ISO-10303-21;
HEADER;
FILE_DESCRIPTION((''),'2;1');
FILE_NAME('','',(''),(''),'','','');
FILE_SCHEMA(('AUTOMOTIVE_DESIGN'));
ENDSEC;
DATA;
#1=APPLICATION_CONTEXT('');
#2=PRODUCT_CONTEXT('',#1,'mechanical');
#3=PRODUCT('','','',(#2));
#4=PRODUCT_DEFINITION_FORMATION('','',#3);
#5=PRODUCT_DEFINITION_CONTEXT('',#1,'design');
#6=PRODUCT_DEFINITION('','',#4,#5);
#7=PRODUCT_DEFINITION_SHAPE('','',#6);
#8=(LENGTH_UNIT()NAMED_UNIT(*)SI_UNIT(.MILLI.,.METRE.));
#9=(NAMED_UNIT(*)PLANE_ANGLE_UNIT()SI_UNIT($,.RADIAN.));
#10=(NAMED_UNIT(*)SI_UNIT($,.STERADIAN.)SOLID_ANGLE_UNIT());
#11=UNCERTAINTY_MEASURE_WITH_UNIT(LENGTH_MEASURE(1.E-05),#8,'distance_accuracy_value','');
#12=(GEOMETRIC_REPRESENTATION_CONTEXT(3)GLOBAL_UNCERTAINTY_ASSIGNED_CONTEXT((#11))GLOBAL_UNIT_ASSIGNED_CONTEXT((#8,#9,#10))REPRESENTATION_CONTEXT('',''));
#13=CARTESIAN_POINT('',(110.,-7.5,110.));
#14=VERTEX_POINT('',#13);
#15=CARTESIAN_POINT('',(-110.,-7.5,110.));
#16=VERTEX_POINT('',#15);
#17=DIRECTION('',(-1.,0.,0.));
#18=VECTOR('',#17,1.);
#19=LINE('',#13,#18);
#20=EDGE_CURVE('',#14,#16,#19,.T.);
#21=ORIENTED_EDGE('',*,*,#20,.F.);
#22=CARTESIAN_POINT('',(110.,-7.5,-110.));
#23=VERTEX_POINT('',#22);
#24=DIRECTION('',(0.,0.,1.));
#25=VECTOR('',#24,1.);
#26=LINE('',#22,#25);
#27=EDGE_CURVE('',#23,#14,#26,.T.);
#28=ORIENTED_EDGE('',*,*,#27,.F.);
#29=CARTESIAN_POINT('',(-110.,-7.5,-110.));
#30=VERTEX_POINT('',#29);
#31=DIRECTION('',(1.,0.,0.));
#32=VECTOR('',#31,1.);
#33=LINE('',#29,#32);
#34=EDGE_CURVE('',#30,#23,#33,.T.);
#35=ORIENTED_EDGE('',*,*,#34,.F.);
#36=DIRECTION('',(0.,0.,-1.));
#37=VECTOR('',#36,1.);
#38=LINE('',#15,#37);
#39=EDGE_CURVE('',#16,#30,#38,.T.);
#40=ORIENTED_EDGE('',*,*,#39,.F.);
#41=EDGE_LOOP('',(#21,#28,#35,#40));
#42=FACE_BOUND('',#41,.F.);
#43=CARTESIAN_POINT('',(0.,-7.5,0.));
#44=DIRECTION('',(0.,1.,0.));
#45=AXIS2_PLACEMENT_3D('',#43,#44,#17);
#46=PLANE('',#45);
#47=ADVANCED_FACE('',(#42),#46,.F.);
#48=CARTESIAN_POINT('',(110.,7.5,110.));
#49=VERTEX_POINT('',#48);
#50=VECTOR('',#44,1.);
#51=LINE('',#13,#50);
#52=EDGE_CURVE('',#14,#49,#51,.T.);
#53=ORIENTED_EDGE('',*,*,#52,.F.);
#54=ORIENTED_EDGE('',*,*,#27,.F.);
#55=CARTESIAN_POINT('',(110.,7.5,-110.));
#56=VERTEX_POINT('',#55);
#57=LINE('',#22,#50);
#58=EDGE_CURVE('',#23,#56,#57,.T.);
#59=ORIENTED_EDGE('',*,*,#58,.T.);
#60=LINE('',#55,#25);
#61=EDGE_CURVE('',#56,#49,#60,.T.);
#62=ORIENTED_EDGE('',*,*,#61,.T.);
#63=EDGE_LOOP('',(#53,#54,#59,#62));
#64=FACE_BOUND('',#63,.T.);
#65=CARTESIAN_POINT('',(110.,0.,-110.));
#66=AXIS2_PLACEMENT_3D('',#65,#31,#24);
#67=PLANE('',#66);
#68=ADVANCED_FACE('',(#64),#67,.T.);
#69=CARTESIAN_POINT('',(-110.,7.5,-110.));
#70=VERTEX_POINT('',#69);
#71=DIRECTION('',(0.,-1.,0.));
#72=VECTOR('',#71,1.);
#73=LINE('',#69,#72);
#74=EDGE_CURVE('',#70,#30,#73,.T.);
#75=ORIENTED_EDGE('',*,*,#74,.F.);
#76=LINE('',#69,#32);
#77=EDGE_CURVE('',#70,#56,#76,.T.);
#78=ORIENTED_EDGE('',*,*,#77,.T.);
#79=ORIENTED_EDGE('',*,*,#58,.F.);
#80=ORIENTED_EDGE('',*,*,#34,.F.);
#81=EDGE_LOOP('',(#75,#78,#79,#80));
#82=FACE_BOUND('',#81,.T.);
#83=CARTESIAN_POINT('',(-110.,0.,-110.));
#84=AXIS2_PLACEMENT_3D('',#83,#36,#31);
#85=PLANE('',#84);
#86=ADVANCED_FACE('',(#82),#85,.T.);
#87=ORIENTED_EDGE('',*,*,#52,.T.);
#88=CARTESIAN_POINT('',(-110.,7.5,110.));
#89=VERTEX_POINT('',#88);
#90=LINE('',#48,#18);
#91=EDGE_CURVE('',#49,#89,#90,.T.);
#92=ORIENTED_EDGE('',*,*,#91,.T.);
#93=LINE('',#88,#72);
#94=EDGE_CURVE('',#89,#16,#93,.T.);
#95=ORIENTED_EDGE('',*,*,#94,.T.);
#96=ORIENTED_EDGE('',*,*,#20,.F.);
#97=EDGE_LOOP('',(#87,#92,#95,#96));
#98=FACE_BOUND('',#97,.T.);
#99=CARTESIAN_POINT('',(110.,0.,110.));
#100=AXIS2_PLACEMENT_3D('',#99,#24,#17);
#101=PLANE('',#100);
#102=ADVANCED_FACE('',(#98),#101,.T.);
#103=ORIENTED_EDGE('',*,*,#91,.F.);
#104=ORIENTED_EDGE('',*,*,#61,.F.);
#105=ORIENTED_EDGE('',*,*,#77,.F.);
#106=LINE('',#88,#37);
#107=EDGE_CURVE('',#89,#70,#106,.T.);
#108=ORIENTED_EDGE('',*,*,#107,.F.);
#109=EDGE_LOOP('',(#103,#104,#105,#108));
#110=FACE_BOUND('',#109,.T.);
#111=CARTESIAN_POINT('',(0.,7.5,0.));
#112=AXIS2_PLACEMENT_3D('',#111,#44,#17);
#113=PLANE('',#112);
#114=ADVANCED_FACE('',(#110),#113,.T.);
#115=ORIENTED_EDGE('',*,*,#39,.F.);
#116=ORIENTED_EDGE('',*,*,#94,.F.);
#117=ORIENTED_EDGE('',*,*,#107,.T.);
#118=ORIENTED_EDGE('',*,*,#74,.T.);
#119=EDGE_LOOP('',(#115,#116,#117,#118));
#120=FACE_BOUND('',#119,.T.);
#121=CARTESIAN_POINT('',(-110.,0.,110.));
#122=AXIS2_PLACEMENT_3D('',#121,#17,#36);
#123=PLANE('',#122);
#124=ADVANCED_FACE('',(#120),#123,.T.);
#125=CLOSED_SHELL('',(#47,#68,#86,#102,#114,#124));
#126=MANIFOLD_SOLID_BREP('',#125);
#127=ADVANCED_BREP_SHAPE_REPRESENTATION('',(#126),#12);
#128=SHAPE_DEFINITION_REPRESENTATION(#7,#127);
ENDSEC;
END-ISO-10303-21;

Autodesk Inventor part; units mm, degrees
ref_plane "YZ Plane" through (0, 0, 0) normal (1, 0, 0) x (0, 1, 0)
ref_plane "XZ Plane" through (0, 0, 0) normal (0, 1, 0) x (-1, 0, 0)
ref_plane "XY Plane" through (0, 0, 0) normal (0, 0, 1) x (1, 0, 0)
sketch "Sketch1" plane through (0, 0, 0) normal (0, 1, 0) x (-1, 0, 0)
  line L0 (-110, 110) -> (110, 110)
  line L1 (110, 110) -> (110, -110)
  line L2 (110, -110) -> (-110, -110)
  line L3 (-110, -110) -> (-110, 110)
  line L4 (-110, 110) -> (110, -110) construction
  line L5 (110, 110) -> (-110, -110) construction
  point P0 (0, 0)
  dimension "d0" = 220
  dimension "d1" = 220
extrude "Extrusion1" add sketch "Sketch1" along normal mid plane 15
equation "\"d0\" = stock_xw"
equation "\"d1\" = stock_yw"
equation "\"d2\" = stock_zw"
equation "\"stock_xw\" = 220"
equation "\"stock_yw\" = stock_xw"
equation "\"stock_zw\" = 15"
properties part number "SquareStock"
